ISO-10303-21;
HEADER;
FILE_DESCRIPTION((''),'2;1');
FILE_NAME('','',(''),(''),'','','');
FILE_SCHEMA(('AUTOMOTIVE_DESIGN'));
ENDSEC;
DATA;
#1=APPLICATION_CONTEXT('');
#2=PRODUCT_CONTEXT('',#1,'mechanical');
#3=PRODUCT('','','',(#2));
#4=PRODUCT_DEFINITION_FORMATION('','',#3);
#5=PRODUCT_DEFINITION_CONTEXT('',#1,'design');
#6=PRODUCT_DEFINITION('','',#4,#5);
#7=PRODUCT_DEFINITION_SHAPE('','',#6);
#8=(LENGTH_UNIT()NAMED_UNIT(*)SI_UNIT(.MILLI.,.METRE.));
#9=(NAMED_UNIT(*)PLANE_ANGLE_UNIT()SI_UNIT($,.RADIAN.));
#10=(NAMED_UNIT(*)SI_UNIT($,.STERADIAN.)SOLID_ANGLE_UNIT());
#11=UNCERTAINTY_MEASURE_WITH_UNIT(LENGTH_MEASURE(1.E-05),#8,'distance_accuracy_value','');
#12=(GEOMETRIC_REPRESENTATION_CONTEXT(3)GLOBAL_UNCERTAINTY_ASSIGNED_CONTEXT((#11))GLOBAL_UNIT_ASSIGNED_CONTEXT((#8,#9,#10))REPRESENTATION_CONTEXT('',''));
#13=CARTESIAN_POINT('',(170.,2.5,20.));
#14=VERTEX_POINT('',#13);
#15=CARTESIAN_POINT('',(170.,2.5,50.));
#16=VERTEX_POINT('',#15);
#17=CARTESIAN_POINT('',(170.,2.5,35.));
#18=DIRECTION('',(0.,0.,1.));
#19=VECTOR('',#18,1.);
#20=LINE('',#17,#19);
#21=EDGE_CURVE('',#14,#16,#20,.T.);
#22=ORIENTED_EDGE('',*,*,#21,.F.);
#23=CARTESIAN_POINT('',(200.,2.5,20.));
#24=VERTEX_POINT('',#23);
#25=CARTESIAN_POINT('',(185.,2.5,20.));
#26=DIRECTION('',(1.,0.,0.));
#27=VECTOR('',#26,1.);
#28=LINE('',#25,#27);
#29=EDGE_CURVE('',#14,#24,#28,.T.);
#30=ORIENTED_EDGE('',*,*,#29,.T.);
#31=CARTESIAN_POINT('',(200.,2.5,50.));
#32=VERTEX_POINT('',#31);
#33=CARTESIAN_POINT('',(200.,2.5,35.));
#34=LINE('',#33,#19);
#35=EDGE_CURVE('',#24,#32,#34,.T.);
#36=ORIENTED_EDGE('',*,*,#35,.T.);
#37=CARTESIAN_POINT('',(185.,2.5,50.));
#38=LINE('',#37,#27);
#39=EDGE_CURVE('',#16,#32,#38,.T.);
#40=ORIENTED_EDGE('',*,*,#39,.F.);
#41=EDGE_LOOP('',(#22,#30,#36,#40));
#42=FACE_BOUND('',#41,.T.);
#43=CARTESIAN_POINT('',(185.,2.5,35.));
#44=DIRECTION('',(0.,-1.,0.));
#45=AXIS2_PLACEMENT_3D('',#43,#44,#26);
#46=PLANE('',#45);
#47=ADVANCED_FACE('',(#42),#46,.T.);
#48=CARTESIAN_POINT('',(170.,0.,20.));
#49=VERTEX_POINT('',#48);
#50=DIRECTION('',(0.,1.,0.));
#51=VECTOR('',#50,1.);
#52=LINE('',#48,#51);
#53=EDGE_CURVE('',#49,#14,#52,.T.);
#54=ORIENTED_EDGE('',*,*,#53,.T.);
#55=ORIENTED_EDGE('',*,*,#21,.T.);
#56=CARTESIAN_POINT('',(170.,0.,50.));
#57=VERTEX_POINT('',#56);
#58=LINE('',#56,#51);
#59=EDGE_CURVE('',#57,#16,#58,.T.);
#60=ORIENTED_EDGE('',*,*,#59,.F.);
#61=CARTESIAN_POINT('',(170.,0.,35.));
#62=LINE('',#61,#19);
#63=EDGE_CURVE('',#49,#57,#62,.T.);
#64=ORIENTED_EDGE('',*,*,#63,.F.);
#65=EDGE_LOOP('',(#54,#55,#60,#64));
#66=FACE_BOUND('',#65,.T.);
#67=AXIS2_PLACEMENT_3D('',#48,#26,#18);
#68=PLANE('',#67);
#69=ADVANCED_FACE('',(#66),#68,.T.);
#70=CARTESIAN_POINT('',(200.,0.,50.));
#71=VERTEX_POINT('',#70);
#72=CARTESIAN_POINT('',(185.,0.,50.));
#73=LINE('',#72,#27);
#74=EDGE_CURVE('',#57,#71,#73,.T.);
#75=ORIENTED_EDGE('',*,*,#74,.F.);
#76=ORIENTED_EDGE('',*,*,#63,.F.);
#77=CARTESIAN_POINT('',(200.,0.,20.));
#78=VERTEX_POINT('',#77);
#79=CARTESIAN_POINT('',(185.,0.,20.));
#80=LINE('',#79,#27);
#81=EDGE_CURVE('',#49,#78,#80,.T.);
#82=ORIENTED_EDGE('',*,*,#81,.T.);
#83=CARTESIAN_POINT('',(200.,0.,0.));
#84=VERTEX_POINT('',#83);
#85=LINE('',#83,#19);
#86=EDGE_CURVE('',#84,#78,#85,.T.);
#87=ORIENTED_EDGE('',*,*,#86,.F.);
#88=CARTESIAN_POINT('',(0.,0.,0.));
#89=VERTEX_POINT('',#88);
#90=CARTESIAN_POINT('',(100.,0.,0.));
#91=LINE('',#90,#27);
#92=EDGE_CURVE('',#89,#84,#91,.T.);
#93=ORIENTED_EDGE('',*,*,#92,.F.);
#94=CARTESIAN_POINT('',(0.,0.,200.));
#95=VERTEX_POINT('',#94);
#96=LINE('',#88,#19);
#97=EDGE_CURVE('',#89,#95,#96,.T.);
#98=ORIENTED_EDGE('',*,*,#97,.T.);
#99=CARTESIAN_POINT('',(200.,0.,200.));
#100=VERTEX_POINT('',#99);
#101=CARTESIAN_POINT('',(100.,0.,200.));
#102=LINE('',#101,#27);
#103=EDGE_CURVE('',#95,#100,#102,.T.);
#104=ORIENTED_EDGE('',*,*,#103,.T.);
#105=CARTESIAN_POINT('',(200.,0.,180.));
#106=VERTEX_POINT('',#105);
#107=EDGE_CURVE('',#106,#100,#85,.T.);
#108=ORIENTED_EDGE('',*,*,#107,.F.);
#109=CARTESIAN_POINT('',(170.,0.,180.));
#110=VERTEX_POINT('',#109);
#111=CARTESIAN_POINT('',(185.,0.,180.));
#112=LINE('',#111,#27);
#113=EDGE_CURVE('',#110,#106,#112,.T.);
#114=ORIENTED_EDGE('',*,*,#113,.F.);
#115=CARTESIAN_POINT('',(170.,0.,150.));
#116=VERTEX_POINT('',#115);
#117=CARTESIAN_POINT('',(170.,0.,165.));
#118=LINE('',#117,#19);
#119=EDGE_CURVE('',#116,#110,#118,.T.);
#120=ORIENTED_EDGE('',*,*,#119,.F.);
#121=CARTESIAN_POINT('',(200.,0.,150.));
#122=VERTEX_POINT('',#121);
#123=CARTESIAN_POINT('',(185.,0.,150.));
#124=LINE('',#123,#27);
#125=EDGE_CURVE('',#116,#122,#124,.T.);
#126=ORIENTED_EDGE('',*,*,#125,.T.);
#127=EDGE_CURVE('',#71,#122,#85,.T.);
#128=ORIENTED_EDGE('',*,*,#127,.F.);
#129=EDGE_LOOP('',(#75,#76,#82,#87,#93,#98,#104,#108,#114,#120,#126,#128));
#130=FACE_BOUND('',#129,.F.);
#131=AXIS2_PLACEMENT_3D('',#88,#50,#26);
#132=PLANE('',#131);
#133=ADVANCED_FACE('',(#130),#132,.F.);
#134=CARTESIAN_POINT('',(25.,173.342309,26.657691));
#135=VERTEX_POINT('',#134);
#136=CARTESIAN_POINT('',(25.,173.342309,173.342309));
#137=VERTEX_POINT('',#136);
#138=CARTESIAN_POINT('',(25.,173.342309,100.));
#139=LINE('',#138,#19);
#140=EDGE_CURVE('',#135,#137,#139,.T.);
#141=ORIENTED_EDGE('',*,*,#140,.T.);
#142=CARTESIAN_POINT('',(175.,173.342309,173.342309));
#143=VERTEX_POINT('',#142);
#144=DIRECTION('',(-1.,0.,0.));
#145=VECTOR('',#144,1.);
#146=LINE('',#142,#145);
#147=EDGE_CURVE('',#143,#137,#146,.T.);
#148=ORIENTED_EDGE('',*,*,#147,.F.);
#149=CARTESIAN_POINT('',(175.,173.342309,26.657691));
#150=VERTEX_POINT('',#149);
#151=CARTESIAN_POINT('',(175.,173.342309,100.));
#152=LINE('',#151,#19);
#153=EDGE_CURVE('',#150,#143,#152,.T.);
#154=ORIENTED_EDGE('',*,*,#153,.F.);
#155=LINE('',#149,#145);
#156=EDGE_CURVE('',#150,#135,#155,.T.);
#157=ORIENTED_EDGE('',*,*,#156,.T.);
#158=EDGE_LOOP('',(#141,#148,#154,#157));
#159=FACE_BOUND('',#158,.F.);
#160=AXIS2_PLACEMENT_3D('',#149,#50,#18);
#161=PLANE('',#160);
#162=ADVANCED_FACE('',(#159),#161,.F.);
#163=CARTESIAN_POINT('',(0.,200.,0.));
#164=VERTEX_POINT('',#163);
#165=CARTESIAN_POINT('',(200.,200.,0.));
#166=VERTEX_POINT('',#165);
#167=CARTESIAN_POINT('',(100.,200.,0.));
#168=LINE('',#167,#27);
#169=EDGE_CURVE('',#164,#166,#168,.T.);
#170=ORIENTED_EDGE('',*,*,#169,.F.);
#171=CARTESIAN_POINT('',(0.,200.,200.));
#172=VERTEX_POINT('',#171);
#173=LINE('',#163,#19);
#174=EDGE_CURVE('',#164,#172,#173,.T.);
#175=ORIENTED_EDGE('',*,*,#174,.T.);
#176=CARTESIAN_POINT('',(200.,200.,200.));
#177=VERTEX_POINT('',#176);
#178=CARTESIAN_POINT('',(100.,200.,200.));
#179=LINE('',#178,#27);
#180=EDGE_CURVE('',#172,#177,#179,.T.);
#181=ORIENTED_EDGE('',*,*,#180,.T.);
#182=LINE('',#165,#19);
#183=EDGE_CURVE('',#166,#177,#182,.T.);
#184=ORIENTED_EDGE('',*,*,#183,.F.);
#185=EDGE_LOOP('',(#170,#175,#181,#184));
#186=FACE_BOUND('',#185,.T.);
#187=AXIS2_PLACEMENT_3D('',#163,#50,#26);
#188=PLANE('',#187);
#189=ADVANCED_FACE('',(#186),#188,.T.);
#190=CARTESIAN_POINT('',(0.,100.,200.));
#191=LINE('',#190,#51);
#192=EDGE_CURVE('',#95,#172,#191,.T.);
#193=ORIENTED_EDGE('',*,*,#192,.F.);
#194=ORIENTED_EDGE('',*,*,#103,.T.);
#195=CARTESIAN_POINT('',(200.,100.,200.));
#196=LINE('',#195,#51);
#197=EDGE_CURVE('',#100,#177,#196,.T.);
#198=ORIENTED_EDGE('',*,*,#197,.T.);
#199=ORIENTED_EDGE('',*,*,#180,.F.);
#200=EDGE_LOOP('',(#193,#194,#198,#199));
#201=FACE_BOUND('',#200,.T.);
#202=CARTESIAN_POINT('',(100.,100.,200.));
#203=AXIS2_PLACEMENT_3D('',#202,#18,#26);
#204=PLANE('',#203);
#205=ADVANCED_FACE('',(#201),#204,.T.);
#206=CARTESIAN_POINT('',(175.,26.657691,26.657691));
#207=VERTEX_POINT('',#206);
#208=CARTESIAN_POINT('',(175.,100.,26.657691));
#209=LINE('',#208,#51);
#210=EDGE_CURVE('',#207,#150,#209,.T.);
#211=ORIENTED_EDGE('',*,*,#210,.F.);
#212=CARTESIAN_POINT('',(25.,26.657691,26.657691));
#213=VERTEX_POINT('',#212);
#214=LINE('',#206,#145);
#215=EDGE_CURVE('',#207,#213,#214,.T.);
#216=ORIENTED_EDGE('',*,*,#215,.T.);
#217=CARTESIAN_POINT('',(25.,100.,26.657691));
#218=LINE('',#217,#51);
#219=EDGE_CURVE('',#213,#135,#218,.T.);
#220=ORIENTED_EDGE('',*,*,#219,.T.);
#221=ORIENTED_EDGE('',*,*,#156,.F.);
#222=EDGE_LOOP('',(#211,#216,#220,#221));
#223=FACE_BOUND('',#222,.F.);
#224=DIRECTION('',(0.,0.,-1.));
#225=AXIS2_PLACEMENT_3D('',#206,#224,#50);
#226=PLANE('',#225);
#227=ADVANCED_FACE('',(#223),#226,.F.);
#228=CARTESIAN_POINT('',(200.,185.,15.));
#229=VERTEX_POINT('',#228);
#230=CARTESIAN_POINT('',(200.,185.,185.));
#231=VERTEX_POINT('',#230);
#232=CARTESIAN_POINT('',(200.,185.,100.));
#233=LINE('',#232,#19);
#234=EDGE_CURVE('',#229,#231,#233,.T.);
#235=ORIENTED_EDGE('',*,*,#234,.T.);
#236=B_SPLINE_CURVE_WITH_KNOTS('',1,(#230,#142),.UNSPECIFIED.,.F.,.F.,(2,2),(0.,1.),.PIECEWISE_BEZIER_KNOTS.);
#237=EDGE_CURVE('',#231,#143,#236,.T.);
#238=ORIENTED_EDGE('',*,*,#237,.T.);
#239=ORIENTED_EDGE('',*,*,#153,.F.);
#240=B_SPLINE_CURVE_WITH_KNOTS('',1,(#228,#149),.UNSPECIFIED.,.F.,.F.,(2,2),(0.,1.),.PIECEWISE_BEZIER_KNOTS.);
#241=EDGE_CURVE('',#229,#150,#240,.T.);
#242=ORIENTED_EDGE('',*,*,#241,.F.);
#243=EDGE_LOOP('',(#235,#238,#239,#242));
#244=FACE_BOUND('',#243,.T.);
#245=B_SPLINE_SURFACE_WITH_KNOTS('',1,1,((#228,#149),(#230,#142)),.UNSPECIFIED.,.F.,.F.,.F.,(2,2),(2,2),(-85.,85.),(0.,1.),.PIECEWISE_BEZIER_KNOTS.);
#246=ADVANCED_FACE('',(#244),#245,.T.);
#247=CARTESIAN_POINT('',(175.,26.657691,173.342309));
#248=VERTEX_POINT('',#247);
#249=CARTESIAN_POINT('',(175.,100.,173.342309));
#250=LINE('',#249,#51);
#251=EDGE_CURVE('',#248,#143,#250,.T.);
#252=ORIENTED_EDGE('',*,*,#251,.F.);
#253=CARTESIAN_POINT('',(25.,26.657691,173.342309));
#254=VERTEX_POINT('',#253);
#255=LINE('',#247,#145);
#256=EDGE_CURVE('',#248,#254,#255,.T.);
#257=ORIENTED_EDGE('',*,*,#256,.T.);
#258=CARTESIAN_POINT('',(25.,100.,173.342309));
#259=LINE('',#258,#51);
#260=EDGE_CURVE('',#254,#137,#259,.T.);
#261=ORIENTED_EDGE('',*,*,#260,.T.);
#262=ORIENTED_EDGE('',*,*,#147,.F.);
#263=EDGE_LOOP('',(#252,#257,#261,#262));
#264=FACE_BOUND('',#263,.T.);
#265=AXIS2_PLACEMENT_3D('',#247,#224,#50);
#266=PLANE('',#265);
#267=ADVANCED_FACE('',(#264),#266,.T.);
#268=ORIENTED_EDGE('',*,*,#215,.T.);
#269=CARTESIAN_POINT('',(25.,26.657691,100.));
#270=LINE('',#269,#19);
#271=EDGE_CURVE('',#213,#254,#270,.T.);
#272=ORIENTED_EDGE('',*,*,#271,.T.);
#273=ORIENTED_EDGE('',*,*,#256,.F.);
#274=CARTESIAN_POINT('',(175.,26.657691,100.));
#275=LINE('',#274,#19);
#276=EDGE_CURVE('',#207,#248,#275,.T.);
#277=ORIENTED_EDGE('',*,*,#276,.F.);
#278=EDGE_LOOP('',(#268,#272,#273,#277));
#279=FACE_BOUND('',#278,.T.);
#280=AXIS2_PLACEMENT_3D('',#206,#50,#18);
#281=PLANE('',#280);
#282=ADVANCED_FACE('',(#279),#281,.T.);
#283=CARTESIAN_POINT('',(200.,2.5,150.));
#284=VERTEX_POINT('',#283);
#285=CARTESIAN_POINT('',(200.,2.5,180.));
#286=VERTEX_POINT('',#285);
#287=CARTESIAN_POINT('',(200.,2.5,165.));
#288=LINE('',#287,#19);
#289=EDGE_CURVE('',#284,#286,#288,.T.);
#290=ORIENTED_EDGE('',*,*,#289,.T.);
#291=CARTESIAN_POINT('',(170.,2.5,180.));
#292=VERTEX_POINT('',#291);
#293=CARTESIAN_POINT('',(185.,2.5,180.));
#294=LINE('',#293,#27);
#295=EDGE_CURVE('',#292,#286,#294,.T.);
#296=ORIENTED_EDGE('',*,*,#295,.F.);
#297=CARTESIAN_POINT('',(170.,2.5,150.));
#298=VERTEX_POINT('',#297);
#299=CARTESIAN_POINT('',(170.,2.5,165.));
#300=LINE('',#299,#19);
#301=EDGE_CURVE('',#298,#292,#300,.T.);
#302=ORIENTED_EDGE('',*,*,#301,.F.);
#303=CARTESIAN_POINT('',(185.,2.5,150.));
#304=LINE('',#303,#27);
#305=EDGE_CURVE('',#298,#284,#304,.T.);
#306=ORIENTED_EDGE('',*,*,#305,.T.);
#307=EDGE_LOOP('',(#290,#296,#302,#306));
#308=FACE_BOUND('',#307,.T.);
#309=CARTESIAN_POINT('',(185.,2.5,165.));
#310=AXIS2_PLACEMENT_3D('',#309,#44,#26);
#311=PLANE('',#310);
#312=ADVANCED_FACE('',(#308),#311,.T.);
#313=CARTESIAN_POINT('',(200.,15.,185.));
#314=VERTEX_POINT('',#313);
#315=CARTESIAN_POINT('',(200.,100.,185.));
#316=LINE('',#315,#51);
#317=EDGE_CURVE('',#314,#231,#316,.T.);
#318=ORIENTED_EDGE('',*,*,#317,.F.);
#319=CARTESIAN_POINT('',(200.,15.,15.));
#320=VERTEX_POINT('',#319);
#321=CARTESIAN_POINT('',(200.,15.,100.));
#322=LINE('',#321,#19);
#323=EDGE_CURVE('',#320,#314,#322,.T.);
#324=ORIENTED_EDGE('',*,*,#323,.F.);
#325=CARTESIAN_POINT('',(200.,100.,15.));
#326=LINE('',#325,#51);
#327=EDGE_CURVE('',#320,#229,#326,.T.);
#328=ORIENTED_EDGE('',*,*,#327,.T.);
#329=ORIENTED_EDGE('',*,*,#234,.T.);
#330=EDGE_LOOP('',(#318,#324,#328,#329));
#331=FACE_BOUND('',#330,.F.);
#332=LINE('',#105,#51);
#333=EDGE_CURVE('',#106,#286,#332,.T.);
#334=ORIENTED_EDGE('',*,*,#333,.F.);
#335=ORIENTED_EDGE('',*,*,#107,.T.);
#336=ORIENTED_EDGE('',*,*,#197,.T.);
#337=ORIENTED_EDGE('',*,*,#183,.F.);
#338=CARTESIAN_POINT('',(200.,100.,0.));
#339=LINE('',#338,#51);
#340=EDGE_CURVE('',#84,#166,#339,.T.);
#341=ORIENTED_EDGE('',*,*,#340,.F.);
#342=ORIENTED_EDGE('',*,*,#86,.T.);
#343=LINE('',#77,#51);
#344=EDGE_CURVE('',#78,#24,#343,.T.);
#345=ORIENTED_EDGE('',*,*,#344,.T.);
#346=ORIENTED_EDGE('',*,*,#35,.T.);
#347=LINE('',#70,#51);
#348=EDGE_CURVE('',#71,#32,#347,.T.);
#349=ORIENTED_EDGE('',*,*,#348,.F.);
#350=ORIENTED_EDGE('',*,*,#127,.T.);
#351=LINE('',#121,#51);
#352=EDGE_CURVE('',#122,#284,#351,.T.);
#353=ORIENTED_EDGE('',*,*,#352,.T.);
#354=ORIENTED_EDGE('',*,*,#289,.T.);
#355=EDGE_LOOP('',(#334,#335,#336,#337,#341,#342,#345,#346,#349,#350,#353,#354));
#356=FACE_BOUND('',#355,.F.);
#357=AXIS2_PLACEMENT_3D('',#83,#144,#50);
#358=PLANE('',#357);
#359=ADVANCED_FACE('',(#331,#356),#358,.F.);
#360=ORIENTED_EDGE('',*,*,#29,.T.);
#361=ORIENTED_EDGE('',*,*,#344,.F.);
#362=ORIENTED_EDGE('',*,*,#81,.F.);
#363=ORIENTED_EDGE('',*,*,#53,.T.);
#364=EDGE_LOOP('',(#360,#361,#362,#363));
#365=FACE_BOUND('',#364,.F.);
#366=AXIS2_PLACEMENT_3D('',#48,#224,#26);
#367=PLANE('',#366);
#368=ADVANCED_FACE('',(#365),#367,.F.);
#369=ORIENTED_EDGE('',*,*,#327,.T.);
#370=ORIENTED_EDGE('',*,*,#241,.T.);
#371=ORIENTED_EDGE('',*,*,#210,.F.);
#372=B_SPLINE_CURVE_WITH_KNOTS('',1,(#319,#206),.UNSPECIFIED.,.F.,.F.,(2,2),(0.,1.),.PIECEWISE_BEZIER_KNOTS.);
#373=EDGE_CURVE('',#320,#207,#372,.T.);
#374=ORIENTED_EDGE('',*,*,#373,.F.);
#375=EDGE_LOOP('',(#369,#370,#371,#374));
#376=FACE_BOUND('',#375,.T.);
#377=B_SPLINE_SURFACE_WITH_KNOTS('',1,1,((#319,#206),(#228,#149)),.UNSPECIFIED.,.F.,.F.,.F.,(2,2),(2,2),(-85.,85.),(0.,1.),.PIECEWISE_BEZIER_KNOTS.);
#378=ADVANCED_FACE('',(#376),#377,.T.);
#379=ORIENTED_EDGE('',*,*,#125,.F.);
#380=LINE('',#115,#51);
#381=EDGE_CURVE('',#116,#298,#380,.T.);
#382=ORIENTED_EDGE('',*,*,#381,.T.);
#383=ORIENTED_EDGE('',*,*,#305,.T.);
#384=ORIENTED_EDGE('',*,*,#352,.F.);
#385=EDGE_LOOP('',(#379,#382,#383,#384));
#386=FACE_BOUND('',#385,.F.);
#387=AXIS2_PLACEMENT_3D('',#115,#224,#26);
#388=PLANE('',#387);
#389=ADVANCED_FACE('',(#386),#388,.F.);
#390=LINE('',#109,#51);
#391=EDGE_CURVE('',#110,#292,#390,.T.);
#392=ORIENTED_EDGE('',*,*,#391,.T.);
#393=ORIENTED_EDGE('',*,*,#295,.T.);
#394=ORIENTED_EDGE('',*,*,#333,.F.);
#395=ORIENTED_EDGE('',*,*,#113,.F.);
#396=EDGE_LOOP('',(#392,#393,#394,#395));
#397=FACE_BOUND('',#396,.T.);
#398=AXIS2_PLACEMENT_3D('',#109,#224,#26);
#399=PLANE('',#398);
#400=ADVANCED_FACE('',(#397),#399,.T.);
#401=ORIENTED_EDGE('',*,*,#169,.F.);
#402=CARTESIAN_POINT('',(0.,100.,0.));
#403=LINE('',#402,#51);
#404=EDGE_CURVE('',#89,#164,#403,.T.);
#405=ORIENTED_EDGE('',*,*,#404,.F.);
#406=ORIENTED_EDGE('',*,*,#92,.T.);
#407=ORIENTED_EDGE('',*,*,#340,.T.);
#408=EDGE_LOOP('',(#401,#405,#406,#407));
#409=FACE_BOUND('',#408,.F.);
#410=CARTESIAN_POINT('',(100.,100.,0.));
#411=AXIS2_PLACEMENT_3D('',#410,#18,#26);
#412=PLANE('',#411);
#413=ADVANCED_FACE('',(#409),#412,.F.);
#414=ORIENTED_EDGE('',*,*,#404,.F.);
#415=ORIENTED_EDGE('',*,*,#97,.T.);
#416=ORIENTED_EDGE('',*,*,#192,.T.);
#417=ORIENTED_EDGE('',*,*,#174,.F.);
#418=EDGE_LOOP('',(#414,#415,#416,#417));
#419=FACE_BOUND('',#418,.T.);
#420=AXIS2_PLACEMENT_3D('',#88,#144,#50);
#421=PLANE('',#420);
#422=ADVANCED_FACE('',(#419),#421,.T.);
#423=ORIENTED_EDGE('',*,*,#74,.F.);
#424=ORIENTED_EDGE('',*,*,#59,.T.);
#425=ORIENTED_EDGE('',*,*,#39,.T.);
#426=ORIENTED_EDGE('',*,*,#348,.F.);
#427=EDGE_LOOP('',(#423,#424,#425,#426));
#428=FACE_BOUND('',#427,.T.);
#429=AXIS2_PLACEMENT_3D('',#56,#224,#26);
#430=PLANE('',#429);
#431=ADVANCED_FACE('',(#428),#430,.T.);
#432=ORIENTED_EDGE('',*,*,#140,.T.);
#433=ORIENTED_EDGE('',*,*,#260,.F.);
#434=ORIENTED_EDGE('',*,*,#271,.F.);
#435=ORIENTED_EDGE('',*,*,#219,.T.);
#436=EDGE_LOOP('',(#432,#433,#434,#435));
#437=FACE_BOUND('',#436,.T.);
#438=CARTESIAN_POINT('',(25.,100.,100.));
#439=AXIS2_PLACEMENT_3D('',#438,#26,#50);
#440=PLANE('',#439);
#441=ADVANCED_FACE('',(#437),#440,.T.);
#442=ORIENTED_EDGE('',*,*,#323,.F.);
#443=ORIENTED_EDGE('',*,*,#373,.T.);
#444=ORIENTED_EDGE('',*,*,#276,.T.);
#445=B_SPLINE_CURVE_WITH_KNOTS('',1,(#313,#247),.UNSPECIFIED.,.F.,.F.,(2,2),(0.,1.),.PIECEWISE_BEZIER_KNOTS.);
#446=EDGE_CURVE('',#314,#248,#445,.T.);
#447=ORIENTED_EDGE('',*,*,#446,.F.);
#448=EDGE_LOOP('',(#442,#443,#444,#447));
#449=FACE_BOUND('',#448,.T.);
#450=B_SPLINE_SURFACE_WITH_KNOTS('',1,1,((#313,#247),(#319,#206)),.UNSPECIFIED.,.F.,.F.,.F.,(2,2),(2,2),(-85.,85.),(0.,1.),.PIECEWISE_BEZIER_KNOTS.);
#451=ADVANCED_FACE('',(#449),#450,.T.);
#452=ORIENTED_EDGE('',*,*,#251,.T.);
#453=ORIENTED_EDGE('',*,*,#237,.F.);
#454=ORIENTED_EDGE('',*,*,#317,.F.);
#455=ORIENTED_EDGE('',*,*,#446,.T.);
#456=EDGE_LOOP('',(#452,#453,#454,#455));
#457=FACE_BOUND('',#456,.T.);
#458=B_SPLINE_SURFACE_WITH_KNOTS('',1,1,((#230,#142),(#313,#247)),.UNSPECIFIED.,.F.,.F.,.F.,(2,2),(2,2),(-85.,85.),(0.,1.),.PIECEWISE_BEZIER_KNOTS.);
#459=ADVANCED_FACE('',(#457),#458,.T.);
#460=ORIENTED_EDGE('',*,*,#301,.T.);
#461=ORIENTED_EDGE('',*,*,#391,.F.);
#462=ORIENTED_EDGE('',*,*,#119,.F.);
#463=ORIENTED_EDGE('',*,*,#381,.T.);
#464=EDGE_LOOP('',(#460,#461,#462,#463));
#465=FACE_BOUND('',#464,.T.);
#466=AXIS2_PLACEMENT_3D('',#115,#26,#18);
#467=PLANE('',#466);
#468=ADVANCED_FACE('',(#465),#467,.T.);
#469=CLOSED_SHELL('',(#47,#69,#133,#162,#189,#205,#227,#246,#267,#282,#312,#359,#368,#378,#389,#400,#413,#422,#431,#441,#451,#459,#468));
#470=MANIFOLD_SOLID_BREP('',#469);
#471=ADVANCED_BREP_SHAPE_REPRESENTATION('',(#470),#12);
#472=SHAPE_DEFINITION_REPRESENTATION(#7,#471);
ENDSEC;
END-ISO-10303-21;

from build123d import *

# Parameters (mm, degrees)
F0_W     = 200
F0_H     = 200
F1_DEPTH = 200
F2_W     = 170
F2_H     = 170
F3_DEPTH = 25
F3_TAPER = 25
F4_W     = 146.6846170923
F4_H     = 146.6846170923
F5_DEPTH = 150
F6_W     = 30
F6_H     = 30
F7_DEPTH = 2.5


with BuildPart() as f1:
    # F0 (on Top) → F1 (new body)
    with BuildSketch(Plane.XY):
        with Locations((100, 100)):
            Rectangle(F0_W, F0_H)
    extrude(amount=F1_DEPTH)

    # F2 (on face) → F3 (cut)
    with BuildSketch(Plane.YZ.offset(200)):
        with Locations((100, 100)):
            Rectangle(F2_W, F2_H)
    extrude(amount=-F3_DEPTH, taper=F3_TAPER, mode=Mode.SUBTRACT)

    # F4 (on face) → F5 (cut)
    with BuildSketch(Plane.YZ.offset(175)):
        with Locations((100, 100)):
            Rectangle(F4_W, F4_H)
    extrude(amount=-F5_DEPTH, mode=Mode.SUBTRACT)

    # F6 (on face) → F7 (cut)
    with BuildSketch(Plane.XZ):
        with Locations((185, 165)):
            Rectangle(F6_W, F6_H)
        with Locations((185, 35)):
            Rectangle(F6_W, F6_H)
    extrude(amount=-F7_DEPTH, mode=Mode.SUBTRACT)


solid = f1.part
